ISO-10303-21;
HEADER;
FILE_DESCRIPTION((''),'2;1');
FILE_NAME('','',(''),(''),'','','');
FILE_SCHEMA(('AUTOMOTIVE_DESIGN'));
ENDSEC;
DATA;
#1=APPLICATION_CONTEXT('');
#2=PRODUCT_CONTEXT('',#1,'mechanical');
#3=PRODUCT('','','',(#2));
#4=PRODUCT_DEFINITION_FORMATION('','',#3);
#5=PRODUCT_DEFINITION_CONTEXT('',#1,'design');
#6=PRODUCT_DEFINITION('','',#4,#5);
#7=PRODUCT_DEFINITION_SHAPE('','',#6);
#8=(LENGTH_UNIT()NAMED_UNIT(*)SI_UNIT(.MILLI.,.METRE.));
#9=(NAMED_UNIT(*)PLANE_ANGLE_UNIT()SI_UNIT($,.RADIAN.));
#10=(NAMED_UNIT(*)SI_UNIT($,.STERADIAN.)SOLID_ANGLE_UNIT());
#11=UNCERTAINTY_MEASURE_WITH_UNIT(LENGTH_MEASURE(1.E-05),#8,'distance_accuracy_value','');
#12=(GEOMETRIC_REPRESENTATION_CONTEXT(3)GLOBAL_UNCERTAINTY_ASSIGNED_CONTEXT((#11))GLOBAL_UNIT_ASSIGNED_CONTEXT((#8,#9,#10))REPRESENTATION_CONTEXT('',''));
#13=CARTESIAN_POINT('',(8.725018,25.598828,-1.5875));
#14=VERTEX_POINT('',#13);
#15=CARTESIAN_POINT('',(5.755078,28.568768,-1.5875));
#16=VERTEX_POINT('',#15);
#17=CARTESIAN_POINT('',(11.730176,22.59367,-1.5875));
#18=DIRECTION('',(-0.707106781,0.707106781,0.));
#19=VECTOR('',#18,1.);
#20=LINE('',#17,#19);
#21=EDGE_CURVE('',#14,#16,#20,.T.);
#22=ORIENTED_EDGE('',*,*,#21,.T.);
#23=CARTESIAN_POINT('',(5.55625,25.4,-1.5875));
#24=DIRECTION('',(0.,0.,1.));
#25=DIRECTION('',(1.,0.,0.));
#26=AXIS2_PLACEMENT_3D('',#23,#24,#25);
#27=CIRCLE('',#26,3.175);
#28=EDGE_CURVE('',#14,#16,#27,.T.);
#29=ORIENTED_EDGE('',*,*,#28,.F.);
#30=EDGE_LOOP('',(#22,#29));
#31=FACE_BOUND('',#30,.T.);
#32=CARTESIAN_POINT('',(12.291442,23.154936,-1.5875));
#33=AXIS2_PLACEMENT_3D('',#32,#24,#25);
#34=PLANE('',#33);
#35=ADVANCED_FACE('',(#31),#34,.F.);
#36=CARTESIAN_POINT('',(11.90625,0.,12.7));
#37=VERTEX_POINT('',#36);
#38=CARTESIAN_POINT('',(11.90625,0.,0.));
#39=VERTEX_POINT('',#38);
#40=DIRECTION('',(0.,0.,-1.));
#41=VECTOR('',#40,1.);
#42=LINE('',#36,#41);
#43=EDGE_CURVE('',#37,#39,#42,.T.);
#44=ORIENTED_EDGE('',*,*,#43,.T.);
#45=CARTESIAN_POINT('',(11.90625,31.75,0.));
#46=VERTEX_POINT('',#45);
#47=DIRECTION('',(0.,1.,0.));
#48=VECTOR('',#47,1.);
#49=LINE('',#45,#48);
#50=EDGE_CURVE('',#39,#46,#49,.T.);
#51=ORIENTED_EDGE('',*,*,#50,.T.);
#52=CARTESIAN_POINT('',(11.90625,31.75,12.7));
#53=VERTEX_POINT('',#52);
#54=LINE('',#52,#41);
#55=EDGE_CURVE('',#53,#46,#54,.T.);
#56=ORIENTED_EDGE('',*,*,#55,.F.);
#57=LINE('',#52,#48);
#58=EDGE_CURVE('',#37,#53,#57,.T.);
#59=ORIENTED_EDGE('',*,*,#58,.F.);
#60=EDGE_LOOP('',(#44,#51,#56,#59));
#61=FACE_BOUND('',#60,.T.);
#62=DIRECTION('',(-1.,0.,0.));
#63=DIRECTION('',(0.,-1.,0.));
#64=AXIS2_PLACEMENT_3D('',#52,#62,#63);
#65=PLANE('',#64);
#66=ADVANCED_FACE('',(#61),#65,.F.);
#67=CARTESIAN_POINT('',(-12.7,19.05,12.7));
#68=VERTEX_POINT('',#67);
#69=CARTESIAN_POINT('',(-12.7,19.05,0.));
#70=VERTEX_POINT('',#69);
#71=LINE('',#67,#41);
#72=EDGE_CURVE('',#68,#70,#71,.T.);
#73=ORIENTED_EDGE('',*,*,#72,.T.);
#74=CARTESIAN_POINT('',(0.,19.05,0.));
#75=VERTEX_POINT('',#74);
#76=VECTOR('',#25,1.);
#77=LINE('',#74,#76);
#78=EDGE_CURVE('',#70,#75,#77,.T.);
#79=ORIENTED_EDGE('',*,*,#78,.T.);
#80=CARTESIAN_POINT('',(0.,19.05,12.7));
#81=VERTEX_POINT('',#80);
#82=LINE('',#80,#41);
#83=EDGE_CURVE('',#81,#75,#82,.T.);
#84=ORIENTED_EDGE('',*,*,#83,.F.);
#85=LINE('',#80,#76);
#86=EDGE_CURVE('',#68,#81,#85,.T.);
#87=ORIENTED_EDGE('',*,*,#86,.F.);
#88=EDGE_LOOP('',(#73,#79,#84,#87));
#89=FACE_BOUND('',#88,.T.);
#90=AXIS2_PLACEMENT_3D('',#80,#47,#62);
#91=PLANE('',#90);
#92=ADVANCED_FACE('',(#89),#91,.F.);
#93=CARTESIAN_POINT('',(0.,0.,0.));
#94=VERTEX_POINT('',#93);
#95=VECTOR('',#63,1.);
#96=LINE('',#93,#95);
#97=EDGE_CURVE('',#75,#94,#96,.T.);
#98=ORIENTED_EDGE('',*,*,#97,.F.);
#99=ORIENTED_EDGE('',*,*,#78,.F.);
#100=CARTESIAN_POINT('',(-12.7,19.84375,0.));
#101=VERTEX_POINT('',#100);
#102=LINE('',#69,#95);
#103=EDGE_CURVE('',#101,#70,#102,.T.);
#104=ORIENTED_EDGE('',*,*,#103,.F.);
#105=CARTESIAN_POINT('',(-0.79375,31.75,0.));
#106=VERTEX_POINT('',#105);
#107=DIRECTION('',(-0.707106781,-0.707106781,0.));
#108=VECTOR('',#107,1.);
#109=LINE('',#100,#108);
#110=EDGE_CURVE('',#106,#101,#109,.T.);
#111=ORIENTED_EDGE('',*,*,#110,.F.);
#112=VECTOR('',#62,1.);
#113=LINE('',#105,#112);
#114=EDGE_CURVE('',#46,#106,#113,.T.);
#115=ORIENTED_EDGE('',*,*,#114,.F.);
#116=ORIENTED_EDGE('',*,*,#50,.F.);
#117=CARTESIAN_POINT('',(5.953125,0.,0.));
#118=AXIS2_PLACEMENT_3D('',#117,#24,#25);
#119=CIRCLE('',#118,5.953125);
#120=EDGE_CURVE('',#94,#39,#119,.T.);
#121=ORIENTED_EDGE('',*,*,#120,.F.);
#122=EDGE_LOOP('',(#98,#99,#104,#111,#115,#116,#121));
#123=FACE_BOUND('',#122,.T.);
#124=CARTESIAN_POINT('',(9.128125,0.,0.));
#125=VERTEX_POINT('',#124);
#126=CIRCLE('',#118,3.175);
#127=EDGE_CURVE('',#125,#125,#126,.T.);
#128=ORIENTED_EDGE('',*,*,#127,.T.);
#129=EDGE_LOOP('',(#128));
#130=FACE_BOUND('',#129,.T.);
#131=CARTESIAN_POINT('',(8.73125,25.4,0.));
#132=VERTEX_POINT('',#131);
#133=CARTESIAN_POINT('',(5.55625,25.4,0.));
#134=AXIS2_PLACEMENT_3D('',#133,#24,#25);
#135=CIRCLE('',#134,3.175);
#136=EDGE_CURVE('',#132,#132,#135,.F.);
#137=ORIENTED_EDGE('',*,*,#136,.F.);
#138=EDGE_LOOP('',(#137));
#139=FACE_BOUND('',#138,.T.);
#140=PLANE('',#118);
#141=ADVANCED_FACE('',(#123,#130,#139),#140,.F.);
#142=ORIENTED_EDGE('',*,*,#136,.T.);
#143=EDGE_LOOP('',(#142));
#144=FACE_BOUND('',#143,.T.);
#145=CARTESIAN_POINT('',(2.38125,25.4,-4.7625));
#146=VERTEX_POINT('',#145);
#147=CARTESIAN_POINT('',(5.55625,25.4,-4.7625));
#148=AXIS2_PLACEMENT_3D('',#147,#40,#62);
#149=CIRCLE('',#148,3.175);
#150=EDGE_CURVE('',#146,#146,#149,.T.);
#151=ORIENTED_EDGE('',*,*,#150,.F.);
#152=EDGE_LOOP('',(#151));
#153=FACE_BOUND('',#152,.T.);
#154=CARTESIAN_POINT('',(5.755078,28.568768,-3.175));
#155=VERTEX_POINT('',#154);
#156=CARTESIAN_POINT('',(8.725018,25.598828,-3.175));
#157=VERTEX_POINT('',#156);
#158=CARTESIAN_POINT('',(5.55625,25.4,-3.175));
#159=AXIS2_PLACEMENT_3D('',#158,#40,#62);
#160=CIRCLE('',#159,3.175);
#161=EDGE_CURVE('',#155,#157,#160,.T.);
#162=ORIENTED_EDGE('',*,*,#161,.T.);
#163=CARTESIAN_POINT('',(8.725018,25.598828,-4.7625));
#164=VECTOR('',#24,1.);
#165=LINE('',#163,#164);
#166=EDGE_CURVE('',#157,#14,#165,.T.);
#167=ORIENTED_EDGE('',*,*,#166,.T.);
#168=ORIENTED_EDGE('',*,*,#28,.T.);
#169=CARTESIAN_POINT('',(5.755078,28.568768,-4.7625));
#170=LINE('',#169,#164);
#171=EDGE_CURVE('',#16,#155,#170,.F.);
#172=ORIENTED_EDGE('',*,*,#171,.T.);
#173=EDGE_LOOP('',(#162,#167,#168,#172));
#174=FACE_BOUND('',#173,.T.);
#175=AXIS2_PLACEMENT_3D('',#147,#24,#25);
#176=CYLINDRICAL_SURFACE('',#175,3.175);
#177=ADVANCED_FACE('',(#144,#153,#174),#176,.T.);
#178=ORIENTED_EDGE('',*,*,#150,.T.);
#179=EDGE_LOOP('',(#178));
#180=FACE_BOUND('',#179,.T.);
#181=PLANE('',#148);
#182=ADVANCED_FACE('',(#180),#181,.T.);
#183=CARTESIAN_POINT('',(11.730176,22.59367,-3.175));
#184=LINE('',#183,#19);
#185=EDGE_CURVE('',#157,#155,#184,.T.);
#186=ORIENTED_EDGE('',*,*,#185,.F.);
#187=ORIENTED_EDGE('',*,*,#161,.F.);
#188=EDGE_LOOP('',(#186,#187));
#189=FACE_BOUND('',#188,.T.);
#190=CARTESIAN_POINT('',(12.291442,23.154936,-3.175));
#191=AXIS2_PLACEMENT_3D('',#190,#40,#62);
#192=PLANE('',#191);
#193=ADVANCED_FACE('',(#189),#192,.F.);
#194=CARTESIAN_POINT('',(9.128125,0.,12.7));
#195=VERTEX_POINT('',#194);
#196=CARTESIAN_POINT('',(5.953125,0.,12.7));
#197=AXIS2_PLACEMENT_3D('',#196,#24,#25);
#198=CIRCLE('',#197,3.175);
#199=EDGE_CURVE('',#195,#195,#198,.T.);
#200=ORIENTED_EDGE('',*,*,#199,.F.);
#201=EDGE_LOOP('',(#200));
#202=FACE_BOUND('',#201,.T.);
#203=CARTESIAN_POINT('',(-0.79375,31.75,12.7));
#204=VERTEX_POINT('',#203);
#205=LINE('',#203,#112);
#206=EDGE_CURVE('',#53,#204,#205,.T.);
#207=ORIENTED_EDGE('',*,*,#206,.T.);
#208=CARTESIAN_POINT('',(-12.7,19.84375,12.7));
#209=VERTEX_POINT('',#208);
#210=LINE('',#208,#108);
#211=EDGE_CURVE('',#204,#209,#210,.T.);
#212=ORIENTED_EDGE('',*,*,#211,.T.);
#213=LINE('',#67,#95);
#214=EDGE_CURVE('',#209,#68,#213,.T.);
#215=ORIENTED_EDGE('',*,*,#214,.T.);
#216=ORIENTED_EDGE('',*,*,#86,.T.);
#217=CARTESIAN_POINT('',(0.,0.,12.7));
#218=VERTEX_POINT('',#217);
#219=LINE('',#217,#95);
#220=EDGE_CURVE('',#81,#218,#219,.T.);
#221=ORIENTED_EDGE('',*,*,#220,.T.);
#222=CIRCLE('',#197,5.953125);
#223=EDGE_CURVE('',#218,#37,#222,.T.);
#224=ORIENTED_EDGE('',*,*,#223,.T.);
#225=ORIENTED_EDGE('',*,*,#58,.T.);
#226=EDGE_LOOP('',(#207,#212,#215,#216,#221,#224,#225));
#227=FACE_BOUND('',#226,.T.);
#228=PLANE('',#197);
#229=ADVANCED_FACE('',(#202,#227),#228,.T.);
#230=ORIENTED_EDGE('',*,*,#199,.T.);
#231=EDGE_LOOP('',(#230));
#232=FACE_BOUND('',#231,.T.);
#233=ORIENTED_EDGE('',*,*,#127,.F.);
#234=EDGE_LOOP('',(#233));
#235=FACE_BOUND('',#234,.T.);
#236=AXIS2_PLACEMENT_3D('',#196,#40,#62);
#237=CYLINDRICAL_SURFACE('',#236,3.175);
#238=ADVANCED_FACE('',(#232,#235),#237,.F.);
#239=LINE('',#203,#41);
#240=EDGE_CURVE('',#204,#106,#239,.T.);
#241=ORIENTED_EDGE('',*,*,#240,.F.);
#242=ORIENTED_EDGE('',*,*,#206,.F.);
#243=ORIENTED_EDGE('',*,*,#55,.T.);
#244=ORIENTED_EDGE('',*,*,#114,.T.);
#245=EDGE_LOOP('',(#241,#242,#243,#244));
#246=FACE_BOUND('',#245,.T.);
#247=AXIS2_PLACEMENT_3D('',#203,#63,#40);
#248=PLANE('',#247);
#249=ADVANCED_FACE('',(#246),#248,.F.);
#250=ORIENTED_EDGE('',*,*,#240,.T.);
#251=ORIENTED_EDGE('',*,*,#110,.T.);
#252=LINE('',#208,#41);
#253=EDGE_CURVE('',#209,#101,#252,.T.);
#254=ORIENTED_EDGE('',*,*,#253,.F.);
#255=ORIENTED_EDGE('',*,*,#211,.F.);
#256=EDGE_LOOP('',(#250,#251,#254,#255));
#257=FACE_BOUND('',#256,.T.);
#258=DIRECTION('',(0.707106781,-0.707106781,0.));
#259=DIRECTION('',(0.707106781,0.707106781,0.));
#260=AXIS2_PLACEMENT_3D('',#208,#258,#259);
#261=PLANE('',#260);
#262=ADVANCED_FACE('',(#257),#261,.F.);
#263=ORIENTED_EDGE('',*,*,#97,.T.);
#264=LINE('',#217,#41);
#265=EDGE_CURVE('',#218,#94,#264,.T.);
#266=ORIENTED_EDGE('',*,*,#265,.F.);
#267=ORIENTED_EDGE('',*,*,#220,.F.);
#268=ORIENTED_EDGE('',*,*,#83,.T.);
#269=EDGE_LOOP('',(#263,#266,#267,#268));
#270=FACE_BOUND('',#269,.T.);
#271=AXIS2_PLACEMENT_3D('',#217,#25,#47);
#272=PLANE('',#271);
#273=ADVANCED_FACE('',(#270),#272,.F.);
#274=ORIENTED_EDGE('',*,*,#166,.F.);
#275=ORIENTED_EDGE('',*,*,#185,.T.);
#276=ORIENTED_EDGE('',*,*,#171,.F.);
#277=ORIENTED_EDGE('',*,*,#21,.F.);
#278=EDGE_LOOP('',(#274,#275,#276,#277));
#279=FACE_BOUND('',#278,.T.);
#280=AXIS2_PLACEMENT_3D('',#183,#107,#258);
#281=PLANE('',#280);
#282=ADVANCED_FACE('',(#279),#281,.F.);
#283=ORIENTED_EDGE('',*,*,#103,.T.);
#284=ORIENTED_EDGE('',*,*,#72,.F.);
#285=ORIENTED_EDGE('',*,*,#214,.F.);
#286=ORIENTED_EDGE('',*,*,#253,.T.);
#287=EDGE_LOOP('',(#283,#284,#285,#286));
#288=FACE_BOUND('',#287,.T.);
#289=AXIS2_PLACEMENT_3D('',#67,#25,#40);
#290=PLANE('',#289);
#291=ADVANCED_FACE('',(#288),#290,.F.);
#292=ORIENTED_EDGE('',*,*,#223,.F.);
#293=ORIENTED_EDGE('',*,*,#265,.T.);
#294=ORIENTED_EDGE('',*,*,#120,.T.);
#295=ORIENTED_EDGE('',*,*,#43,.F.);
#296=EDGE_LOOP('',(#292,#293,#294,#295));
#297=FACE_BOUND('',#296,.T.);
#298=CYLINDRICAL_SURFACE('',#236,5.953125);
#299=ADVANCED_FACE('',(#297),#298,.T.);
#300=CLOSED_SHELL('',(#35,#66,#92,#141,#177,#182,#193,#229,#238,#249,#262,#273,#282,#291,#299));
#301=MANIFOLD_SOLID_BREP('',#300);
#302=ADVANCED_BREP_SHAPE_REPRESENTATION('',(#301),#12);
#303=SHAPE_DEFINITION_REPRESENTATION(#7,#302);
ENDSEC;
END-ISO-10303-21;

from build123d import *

# Parameters (mm, degrees)
SKETCH1_R           = 3.175
BOSS_EXTRUDE1_DEPTH = 12.7
SKETCH2_R           = 3.175
BOSS_EXTRUDE2_DEPTH = 4.7625
SKETCH3_W           = 1.5875
SKETCH3_H           = 0.79375
CUT_EXTRUDE1_DEPTH  = 9.525


with BuildPart() as part:
    # Sketch1 → Boss-Extrude1 (new body)
    with BuildSketch(Plane.XY):
        with BuildLine():
            Line((0, 0), (0, 19.05))
            Line((0, 19.05), (-12.7, 19.05))
            Line((-12.7, 19.05), (-12.7, 19.84375))
            Line((-12.7, 19.84375), (-0.79375, 31.75))
            Line((-0.79375, 31.75), (11.90625, 31.75))
            Line((11.90625, 31.75), (11.90625, 0))
            ThreePointArc((11.90625, 0), (5.953125, -5.953125), (0, 0))
        make_face()
        with Locations((5.953125, 0)):
            Circle(SKETCH1_R, mode=Mode.SUBTRACT)
    extrude(amount=BOSS_EXTRUDE1_DEPTH)

    # Sketch2 → Boss-Extrude2 (add)
    with BuildSketch(Plane(origin=(0, 0, 0), x_dir=(-1, 0, 0), z_dir=(0, 0, -1))):
        with Locations((-5.55625, 25.4)):
            Circle(SKETCH2_R)
    extrude(amount=BOSS_EXTRUDE2_DEPTH)

    # Sketch3 → Cut-Extrude1 (cut)
    with BuildSketch(Plane(origin=(-12.16693903, 12.16693903, 0), x_dir=(0, 0, 1), z_dir=(-0.707106781, 0.707106781, 0))):
        with Locations((-2.38125, 24.667499295)):
            Rectangle(SKETCH3_W, SKETCH3_H)
    extrude(amount=-CUT_EXTRUDE1_DEPTH, mode=Mode.SUBTRACT)


solid = part.part
